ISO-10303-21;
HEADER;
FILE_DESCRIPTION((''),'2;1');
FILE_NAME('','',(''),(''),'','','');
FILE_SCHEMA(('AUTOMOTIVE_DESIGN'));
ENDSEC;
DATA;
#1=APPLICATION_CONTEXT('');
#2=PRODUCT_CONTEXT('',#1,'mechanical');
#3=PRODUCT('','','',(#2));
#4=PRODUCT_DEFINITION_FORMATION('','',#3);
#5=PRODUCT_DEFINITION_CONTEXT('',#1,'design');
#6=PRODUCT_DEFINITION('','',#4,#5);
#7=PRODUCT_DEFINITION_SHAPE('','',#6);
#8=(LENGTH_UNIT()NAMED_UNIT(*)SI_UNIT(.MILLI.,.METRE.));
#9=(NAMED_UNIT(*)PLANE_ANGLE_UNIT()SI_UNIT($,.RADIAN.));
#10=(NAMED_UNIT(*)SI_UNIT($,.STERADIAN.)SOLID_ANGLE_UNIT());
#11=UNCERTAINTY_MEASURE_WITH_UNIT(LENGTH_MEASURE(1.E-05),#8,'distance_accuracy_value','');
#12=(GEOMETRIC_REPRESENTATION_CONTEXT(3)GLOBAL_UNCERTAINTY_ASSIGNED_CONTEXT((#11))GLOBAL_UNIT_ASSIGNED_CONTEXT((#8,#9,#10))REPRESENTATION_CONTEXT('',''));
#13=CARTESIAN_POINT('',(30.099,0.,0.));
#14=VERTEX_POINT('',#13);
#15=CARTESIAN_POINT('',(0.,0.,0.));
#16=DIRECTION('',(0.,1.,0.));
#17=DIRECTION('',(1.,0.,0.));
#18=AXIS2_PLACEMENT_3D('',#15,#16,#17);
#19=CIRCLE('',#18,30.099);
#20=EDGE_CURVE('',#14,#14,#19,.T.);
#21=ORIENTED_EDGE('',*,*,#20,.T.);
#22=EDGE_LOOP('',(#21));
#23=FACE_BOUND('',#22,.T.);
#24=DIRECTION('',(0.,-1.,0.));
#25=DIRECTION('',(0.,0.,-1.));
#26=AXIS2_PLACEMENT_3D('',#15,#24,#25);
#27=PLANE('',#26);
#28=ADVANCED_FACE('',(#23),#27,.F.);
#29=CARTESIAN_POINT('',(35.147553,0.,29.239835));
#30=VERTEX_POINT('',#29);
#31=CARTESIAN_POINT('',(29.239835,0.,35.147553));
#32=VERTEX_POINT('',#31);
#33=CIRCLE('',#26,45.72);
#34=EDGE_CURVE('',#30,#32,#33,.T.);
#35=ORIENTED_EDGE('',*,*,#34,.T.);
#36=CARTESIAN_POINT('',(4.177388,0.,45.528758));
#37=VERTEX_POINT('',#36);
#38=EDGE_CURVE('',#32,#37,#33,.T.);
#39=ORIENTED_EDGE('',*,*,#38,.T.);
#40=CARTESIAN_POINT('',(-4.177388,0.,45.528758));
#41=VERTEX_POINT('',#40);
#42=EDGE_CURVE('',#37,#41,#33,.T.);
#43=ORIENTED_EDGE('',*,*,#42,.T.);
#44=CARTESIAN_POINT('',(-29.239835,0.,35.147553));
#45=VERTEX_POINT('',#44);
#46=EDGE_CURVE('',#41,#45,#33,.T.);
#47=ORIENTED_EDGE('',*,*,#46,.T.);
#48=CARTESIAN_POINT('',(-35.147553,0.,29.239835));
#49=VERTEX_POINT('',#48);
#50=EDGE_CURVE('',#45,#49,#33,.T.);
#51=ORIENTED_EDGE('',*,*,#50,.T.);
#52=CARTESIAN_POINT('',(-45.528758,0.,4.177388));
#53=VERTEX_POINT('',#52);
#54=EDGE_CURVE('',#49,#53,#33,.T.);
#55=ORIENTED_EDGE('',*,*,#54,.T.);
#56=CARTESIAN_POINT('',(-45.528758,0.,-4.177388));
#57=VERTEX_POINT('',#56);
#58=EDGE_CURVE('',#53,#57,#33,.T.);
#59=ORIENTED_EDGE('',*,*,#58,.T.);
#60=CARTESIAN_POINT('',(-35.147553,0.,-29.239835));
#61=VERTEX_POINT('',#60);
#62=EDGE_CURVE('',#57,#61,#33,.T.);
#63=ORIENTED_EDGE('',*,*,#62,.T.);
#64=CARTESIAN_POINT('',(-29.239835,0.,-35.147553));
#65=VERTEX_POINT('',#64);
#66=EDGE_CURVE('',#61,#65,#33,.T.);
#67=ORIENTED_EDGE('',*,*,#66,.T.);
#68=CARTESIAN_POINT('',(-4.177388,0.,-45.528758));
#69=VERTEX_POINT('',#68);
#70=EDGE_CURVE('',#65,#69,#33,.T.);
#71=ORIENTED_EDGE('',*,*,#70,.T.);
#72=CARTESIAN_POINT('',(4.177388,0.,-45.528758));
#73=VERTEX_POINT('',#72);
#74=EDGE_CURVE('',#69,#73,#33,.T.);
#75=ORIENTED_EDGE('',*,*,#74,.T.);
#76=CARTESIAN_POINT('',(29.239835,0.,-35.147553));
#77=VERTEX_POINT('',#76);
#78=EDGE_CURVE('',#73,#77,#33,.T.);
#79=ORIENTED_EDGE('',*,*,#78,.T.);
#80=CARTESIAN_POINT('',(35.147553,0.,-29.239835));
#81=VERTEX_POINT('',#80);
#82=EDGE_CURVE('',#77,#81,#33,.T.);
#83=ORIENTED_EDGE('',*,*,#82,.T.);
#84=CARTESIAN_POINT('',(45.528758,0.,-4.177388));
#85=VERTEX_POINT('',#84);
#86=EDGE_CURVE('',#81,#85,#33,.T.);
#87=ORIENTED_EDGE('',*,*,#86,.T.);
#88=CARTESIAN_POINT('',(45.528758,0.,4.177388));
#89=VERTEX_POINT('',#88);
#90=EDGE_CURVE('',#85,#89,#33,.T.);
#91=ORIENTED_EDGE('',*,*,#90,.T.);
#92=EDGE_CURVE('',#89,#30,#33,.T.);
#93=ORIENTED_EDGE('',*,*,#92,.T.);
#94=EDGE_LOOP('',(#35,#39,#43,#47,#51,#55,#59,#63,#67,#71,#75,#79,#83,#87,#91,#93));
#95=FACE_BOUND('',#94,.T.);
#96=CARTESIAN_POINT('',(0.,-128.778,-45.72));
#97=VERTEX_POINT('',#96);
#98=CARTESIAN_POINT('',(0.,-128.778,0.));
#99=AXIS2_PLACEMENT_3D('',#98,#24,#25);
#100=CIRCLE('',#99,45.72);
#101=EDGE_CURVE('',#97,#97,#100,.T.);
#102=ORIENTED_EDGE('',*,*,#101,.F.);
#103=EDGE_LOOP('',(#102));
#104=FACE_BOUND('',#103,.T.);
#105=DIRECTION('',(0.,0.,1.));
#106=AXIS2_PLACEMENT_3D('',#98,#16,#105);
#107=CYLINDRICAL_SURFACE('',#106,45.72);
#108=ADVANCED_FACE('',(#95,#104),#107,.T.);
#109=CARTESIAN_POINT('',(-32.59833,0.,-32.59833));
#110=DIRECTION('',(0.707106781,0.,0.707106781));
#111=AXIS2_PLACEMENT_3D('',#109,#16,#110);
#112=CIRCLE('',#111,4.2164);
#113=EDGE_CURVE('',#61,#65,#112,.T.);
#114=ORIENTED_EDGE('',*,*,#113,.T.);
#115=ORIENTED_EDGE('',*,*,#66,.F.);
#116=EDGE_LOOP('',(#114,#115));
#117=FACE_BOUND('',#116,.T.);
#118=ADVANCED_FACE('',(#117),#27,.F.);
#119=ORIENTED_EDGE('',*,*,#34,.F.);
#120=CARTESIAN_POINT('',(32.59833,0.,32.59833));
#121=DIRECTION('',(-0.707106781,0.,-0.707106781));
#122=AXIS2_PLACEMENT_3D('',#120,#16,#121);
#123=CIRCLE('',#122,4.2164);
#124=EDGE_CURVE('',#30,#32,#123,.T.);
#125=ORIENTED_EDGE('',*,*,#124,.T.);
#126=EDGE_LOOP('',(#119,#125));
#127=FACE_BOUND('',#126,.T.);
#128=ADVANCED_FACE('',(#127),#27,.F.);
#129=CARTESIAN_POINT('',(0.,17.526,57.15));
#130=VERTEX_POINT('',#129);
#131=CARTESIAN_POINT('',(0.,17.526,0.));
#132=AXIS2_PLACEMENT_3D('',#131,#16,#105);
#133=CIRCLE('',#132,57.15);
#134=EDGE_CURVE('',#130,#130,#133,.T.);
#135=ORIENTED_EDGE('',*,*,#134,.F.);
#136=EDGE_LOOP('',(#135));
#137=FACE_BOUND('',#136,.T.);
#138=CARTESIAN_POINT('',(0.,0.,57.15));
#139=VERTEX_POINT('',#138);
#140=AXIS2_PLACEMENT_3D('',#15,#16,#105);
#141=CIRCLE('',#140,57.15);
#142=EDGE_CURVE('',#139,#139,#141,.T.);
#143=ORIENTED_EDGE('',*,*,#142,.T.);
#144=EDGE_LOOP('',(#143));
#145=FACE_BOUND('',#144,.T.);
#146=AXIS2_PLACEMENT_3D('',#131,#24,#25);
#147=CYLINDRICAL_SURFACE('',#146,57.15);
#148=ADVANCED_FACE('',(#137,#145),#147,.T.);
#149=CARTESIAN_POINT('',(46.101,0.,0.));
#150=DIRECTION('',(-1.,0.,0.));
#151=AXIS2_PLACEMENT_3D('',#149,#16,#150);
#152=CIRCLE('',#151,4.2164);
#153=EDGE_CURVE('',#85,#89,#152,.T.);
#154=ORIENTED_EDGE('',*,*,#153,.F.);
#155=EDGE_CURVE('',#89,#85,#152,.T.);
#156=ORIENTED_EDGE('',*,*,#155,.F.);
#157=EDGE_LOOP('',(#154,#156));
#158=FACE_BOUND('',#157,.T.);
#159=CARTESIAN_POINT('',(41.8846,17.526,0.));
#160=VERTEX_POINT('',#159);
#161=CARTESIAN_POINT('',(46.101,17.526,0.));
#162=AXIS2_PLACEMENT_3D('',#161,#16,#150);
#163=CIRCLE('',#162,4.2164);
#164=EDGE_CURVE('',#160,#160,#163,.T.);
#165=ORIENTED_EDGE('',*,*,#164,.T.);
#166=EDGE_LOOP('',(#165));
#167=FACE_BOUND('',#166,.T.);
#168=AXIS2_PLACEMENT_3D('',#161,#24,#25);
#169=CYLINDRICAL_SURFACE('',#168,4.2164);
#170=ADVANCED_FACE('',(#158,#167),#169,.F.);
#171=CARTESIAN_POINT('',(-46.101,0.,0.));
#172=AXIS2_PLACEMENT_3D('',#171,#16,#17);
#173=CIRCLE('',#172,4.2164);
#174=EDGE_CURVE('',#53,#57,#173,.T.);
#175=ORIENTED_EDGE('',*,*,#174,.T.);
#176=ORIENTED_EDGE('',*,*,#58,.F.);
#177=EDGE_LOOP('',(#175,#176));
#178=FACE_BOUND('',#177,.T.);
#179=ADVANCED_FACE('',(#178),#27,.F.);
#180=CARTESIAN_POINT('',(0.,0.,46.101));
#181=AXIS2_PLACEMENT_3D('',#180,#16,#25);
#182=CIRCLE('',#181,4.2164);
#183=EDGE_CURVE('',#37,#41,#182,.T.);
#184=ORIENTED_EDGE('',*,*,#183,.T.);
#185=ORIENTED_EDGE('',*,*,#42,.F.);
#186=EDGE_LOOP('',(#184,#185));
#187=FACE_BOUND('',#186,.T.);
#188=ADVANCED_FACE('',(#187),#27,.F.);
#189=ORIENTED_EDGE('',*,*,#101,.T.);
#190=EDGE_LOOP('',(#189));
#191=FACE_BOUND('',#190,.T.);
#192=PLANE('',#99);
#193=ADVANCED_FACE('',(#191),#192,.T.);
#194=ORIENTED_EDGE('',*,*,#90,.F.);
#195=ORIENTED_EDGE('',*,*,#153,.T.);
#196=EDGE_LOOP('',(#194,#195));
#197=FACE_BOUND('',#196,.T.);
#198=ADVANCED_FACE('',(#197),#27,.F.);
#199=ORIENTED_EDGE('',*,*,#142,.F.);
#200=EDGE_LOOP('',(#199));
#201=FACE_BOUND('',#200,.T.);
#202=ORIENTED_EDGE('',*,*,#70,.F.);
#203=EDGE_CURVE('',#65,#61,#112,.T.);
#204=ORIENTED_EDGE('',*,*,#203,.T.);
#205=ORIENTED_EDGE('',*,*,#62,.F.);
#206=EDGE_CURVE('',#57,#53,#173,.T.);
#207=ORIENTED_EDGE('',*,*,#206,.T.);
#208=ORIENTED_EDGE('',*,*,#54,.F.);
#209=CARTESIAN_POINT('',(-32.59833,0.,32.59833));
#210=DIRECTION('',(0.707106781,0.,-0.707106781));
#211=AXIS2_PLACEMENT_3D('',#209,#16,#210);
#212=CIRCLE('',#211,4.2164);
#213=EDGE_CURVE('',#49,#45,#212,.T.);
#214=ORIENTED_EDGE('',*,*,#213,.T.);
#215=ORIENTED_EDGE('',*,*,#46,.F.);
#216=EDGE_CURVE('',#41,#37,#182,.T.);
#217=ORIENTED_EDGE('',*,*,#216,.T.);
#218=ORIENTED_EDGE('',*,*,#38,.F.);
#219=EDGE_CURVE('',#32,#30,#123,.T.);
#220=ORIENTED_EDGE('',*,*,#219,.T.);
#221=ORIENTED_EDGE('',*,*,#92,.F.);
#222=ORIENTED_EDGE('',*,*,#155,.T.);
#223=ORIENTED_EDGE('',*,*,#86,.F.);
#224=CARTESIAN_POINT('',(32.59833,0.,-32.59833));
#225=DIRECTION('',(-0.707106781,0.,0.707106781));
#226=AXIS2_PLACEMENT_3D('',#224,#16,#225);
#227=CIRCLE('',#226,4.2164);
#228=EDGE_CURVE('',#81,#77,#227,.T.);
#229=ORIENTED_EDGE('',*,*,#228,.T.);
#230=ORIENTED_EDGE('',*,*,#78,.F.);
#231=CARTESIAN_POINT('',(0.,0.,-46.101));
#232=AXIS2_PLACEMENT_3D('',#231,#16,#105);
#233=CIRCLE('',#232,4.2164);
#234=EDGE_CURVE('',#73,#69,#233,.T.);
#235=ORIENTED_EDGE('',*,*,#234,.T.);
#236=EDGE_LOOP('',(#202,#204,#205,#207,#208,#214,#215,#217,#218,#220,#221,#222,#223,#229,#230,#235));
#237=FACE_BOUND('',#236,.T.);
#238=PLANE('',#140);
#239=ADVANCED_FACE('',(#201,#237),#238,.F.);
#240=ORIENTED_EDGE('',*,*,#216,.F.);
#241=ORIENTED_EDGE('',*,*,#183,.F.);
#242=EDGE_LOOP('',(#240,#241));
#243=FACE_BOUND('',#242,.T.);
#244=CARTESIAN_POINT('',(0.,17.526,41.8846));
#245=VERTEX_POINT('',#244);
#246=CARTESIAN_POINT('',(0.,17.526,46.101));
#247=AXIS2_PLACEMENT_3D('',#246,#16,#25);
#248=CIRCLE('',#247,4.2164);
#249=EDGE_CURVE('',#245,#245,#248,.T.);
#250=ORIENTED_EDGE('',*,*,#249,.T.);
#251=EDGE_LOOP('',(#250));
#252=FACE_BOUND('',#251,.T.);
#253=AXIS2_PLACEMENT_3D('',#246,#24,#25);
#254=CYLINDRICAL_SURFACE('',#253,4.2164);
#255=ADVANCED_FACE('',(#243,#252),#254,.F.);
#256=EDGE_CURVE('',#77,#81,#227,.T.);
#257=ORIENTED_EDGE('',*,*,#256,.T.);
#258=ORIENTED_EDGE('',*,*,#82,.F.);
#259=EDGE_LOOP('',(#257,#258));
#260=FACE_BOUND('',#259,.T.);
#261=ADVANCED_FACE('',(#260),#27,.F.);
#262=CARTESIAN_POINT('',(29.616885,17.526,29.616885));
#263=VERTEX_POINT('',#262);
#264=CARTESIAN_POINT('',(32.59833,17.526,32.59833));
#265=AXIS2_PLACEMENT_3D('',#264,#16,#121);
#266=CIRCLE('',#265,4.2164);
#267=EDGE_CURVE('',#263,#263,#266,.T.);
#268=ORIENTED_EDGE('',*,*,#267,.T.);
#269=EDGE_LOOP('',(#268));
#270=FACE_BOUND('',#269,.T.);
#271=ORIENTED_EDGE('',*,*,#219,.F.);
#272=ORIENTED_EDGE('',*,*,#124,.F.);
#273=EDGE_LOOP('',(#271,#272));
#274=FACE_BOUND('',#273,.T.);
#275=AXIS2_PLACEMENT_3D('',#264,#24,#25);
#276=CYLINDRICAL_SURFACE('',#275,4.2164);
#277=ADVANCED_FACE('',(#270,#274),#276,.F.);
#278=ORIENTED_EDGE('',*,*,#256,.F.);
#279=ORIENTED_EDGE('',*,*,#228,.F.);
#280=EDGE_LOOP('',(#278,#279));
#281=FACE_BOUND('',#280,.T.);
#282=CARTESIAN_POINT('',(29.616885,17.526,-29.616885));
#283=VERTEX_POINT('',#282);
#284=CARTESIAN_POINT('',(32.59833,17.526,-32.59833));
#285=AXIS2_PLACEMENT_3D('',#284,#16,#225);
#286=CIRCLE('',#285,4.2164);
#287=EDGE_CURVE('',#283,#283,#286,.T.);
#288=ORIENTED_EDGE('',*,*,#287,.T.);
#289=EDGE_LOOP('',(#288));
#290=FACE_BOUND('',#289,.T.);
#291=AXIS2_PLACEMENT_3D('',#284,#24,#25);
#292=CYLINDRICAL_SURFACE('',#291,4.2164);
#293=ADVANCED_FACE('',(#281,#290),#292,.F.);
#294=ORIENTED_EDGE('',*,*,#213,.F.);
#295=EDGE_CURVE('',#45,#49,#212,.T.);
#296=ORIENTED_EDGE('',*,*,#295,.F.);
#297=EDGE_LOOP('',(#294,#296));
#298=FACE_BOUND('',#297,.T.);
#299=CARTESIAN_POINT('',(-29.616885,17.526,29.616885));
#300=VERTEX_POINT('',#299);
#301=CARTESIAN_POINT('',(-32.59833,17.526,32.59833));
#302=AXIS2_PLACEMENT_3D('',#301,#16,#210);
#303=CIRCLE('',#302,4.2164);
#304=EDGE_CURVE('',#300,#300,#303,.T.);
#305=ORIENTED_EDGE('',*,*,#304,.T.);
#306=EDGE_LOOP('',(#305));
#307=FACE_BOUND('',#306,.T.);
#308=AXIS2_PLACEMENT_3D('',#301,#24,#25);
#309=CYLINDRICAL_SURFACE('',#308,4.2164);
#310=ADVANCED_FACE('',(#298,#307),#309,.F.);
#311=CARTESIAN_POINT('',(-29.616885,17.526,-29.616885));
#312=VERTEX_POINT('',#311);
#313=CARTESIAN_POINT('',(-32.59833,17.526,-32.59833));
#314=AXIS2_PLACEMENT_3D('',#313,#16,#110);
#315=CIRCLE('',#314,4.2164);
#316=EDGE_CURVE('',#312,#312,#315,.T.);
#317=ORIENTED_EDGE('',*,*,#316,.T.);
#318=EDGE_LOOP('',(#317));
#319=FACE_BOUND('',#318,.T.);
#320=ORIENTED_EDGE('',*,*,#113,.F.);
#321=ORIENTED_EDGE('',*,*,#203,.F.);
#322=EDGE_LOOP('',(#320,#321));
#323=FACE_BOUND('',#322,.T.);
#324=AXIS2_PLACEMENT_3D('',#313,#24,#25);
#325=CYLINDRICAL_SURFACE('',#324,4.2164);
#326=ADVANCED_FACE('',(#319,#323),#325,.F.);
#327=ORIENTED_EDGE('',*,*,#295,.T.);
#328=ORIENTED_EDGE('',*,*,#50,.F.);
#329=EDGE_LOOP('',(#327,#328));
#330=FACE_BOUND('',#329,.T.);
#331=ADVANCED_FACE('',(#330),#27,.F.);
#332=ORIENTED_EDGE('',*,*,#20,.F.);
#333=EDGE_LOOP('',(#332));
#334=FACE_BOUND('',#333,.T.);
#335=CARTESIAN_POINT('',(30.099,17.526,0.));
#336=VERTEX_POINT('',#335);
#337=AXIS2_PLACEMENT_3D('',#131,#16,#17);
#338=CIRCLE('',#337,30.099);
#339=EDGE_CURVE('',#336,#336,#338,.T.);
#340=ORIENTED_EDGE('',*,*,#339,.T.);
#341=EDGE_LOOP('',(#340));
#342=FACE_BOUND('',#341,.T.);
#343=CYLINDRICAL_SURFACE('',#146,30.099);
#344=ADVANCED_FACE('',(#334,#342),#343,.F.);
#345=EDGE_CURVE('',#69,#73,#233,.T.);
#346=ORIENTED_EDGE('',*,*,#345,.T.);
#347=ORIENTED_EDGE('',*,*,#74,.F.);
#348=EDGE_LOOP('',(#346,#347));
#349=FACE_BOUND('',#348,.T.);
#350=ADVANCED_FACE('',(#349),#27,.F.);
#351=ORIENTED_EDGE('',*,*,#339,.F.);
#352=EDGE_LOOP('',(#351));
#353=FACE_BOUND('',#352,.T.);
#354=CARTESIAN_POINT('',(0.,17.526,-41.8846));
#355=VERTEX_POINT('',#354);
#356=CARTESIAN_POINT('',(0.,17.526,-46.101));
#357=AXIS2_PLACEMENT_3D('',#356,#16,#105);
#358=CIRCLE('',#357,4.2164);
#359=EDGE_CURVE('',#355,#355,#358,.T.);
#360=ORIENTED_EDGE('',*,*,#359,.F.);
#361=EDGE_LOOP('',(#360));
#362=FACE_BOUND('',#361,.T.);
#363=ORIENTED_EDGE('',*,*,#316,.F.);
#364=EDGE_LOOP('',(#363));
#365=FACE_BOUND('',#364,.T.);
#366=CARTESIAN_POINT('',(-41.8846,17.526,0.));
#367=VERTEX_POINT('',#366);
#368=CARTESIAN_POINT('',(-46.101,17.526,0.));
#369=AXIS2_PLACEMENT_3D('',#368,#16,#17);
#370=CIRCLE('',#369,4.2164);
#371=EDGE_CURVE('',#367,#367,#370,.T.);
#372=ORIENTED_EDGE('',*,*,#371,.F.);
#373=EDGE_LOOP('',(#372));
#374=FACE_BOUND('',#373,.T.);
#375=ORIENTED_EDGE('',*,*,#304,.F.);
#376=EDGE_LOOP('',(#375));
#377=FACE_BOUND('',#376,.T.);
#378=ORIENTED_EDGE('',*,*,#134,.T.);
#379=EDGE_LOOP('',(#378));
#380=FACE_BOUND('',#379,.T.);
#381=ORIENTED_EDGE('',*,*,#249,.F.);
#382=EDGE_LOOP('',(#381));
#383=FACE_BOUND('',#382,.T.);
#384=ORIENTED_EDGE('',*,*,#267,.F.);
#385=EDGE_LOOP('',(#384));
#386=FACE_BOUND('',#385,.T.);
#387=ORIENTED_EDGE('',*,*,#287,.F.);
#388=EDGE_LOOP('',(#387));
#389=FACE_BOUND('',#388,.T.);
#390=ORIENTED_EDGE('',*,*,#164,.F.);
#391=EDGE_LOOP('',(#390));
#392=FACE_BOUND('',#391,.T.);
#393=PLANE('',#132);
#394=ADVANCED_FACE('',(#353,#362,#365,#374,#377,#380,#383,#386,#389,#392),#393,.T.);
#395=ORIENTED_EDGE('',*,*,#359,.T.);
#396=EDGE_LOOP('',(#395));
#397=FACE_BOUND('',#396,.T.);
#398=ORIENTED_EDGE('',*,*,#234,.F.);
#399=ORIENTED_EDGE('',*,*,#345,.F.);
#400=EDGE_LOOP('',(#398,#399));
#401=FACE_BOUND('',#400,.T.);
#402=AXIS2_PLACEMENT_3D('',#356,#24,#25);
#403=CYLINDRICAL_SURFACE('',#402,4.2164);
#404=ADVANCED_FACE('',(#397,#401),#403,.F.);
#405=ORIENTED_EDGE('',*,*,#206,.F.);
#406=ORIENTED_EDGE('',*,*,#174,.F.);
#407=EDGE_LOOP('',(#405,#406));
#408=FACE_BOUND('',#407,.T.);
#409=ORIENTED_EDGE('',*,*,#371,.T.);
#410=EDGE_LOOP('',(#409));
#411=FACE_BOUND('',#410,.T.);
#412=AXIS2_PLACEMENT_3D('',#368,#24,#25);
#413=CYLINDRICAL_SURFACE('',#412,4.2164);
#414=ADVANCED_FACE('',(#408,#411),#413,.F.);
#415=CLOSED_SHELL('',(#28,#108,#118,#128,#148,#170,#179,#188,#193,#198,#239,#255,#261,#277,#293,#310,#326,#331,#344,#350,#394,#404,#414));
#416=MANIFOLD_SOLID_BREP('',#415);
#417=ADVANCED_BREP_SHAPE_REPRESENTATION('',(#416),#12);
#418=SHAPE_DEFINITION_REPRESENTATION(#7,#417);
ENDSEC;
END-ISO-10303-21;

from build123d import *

# Parameters (mm, degrees)
SKETCH1_R           = 57.15
SKETCH1_R_2         = 30.099
EXTRUDE_THIN1_DEPTH = 17.526
SKETCH2_R           = 4.2164
CUT_EXTRUDE2_DEPTH  = 17.526
CIRPATTERN1_COUNT   = 8
SKETCH5_R           = 45.72
EXTRUDE1_DEPTH      = 128.778


with BuildPart() as part:
    # Sketch1 → Extrude-Thin1 (new body)
    with BuildSketch(Plane(origin=(0, 0, 0), x_dir=(1, 0, 0), z_dir=(0, 1, 0))):
        Circle(SKETCH1_R)
        Circle(SKETCH1_R_2, mode=Mode.SUBTRACT)
    extrude(amount=EXTRUDE_THIN1_DEPTH)

    # Sketch2 → Cut-Extrude2 (cut)
    with BuildSketch(Plane(origin=(0, 0, 0), x_dir=(1, 0, 0), z_dir=(0, 1, 0))):
        with Locations((0, 46.101)):
            Circle(SKETCH2_R)
    cut_extrude2 = extrude(amount=CUT_EXTRUDE2_DEPTH, mode=Mode.SUBTRACT)

    # CirPattern1: Cut-Extrude2 ×8 about axis
    cirpattern1_axis = Axis((0, 58.676993495, 0), (0, -1, 0))
    for i in range(1, CIRPATTERN1_COUNT):
        add(cut_extrude2.rotate(cirpattern1_axis, i * 360 / CIRPATTERN1_COUNT), mode=Mode.SUBTRACT)

    # Sketch5 → Extrude1 (add)
    with BuildSketch(Plane.XZ):
        Circle(SKETCH5_R)
    extrude(amount=EXTRUDE1_DEPTH)


solid = part.part
